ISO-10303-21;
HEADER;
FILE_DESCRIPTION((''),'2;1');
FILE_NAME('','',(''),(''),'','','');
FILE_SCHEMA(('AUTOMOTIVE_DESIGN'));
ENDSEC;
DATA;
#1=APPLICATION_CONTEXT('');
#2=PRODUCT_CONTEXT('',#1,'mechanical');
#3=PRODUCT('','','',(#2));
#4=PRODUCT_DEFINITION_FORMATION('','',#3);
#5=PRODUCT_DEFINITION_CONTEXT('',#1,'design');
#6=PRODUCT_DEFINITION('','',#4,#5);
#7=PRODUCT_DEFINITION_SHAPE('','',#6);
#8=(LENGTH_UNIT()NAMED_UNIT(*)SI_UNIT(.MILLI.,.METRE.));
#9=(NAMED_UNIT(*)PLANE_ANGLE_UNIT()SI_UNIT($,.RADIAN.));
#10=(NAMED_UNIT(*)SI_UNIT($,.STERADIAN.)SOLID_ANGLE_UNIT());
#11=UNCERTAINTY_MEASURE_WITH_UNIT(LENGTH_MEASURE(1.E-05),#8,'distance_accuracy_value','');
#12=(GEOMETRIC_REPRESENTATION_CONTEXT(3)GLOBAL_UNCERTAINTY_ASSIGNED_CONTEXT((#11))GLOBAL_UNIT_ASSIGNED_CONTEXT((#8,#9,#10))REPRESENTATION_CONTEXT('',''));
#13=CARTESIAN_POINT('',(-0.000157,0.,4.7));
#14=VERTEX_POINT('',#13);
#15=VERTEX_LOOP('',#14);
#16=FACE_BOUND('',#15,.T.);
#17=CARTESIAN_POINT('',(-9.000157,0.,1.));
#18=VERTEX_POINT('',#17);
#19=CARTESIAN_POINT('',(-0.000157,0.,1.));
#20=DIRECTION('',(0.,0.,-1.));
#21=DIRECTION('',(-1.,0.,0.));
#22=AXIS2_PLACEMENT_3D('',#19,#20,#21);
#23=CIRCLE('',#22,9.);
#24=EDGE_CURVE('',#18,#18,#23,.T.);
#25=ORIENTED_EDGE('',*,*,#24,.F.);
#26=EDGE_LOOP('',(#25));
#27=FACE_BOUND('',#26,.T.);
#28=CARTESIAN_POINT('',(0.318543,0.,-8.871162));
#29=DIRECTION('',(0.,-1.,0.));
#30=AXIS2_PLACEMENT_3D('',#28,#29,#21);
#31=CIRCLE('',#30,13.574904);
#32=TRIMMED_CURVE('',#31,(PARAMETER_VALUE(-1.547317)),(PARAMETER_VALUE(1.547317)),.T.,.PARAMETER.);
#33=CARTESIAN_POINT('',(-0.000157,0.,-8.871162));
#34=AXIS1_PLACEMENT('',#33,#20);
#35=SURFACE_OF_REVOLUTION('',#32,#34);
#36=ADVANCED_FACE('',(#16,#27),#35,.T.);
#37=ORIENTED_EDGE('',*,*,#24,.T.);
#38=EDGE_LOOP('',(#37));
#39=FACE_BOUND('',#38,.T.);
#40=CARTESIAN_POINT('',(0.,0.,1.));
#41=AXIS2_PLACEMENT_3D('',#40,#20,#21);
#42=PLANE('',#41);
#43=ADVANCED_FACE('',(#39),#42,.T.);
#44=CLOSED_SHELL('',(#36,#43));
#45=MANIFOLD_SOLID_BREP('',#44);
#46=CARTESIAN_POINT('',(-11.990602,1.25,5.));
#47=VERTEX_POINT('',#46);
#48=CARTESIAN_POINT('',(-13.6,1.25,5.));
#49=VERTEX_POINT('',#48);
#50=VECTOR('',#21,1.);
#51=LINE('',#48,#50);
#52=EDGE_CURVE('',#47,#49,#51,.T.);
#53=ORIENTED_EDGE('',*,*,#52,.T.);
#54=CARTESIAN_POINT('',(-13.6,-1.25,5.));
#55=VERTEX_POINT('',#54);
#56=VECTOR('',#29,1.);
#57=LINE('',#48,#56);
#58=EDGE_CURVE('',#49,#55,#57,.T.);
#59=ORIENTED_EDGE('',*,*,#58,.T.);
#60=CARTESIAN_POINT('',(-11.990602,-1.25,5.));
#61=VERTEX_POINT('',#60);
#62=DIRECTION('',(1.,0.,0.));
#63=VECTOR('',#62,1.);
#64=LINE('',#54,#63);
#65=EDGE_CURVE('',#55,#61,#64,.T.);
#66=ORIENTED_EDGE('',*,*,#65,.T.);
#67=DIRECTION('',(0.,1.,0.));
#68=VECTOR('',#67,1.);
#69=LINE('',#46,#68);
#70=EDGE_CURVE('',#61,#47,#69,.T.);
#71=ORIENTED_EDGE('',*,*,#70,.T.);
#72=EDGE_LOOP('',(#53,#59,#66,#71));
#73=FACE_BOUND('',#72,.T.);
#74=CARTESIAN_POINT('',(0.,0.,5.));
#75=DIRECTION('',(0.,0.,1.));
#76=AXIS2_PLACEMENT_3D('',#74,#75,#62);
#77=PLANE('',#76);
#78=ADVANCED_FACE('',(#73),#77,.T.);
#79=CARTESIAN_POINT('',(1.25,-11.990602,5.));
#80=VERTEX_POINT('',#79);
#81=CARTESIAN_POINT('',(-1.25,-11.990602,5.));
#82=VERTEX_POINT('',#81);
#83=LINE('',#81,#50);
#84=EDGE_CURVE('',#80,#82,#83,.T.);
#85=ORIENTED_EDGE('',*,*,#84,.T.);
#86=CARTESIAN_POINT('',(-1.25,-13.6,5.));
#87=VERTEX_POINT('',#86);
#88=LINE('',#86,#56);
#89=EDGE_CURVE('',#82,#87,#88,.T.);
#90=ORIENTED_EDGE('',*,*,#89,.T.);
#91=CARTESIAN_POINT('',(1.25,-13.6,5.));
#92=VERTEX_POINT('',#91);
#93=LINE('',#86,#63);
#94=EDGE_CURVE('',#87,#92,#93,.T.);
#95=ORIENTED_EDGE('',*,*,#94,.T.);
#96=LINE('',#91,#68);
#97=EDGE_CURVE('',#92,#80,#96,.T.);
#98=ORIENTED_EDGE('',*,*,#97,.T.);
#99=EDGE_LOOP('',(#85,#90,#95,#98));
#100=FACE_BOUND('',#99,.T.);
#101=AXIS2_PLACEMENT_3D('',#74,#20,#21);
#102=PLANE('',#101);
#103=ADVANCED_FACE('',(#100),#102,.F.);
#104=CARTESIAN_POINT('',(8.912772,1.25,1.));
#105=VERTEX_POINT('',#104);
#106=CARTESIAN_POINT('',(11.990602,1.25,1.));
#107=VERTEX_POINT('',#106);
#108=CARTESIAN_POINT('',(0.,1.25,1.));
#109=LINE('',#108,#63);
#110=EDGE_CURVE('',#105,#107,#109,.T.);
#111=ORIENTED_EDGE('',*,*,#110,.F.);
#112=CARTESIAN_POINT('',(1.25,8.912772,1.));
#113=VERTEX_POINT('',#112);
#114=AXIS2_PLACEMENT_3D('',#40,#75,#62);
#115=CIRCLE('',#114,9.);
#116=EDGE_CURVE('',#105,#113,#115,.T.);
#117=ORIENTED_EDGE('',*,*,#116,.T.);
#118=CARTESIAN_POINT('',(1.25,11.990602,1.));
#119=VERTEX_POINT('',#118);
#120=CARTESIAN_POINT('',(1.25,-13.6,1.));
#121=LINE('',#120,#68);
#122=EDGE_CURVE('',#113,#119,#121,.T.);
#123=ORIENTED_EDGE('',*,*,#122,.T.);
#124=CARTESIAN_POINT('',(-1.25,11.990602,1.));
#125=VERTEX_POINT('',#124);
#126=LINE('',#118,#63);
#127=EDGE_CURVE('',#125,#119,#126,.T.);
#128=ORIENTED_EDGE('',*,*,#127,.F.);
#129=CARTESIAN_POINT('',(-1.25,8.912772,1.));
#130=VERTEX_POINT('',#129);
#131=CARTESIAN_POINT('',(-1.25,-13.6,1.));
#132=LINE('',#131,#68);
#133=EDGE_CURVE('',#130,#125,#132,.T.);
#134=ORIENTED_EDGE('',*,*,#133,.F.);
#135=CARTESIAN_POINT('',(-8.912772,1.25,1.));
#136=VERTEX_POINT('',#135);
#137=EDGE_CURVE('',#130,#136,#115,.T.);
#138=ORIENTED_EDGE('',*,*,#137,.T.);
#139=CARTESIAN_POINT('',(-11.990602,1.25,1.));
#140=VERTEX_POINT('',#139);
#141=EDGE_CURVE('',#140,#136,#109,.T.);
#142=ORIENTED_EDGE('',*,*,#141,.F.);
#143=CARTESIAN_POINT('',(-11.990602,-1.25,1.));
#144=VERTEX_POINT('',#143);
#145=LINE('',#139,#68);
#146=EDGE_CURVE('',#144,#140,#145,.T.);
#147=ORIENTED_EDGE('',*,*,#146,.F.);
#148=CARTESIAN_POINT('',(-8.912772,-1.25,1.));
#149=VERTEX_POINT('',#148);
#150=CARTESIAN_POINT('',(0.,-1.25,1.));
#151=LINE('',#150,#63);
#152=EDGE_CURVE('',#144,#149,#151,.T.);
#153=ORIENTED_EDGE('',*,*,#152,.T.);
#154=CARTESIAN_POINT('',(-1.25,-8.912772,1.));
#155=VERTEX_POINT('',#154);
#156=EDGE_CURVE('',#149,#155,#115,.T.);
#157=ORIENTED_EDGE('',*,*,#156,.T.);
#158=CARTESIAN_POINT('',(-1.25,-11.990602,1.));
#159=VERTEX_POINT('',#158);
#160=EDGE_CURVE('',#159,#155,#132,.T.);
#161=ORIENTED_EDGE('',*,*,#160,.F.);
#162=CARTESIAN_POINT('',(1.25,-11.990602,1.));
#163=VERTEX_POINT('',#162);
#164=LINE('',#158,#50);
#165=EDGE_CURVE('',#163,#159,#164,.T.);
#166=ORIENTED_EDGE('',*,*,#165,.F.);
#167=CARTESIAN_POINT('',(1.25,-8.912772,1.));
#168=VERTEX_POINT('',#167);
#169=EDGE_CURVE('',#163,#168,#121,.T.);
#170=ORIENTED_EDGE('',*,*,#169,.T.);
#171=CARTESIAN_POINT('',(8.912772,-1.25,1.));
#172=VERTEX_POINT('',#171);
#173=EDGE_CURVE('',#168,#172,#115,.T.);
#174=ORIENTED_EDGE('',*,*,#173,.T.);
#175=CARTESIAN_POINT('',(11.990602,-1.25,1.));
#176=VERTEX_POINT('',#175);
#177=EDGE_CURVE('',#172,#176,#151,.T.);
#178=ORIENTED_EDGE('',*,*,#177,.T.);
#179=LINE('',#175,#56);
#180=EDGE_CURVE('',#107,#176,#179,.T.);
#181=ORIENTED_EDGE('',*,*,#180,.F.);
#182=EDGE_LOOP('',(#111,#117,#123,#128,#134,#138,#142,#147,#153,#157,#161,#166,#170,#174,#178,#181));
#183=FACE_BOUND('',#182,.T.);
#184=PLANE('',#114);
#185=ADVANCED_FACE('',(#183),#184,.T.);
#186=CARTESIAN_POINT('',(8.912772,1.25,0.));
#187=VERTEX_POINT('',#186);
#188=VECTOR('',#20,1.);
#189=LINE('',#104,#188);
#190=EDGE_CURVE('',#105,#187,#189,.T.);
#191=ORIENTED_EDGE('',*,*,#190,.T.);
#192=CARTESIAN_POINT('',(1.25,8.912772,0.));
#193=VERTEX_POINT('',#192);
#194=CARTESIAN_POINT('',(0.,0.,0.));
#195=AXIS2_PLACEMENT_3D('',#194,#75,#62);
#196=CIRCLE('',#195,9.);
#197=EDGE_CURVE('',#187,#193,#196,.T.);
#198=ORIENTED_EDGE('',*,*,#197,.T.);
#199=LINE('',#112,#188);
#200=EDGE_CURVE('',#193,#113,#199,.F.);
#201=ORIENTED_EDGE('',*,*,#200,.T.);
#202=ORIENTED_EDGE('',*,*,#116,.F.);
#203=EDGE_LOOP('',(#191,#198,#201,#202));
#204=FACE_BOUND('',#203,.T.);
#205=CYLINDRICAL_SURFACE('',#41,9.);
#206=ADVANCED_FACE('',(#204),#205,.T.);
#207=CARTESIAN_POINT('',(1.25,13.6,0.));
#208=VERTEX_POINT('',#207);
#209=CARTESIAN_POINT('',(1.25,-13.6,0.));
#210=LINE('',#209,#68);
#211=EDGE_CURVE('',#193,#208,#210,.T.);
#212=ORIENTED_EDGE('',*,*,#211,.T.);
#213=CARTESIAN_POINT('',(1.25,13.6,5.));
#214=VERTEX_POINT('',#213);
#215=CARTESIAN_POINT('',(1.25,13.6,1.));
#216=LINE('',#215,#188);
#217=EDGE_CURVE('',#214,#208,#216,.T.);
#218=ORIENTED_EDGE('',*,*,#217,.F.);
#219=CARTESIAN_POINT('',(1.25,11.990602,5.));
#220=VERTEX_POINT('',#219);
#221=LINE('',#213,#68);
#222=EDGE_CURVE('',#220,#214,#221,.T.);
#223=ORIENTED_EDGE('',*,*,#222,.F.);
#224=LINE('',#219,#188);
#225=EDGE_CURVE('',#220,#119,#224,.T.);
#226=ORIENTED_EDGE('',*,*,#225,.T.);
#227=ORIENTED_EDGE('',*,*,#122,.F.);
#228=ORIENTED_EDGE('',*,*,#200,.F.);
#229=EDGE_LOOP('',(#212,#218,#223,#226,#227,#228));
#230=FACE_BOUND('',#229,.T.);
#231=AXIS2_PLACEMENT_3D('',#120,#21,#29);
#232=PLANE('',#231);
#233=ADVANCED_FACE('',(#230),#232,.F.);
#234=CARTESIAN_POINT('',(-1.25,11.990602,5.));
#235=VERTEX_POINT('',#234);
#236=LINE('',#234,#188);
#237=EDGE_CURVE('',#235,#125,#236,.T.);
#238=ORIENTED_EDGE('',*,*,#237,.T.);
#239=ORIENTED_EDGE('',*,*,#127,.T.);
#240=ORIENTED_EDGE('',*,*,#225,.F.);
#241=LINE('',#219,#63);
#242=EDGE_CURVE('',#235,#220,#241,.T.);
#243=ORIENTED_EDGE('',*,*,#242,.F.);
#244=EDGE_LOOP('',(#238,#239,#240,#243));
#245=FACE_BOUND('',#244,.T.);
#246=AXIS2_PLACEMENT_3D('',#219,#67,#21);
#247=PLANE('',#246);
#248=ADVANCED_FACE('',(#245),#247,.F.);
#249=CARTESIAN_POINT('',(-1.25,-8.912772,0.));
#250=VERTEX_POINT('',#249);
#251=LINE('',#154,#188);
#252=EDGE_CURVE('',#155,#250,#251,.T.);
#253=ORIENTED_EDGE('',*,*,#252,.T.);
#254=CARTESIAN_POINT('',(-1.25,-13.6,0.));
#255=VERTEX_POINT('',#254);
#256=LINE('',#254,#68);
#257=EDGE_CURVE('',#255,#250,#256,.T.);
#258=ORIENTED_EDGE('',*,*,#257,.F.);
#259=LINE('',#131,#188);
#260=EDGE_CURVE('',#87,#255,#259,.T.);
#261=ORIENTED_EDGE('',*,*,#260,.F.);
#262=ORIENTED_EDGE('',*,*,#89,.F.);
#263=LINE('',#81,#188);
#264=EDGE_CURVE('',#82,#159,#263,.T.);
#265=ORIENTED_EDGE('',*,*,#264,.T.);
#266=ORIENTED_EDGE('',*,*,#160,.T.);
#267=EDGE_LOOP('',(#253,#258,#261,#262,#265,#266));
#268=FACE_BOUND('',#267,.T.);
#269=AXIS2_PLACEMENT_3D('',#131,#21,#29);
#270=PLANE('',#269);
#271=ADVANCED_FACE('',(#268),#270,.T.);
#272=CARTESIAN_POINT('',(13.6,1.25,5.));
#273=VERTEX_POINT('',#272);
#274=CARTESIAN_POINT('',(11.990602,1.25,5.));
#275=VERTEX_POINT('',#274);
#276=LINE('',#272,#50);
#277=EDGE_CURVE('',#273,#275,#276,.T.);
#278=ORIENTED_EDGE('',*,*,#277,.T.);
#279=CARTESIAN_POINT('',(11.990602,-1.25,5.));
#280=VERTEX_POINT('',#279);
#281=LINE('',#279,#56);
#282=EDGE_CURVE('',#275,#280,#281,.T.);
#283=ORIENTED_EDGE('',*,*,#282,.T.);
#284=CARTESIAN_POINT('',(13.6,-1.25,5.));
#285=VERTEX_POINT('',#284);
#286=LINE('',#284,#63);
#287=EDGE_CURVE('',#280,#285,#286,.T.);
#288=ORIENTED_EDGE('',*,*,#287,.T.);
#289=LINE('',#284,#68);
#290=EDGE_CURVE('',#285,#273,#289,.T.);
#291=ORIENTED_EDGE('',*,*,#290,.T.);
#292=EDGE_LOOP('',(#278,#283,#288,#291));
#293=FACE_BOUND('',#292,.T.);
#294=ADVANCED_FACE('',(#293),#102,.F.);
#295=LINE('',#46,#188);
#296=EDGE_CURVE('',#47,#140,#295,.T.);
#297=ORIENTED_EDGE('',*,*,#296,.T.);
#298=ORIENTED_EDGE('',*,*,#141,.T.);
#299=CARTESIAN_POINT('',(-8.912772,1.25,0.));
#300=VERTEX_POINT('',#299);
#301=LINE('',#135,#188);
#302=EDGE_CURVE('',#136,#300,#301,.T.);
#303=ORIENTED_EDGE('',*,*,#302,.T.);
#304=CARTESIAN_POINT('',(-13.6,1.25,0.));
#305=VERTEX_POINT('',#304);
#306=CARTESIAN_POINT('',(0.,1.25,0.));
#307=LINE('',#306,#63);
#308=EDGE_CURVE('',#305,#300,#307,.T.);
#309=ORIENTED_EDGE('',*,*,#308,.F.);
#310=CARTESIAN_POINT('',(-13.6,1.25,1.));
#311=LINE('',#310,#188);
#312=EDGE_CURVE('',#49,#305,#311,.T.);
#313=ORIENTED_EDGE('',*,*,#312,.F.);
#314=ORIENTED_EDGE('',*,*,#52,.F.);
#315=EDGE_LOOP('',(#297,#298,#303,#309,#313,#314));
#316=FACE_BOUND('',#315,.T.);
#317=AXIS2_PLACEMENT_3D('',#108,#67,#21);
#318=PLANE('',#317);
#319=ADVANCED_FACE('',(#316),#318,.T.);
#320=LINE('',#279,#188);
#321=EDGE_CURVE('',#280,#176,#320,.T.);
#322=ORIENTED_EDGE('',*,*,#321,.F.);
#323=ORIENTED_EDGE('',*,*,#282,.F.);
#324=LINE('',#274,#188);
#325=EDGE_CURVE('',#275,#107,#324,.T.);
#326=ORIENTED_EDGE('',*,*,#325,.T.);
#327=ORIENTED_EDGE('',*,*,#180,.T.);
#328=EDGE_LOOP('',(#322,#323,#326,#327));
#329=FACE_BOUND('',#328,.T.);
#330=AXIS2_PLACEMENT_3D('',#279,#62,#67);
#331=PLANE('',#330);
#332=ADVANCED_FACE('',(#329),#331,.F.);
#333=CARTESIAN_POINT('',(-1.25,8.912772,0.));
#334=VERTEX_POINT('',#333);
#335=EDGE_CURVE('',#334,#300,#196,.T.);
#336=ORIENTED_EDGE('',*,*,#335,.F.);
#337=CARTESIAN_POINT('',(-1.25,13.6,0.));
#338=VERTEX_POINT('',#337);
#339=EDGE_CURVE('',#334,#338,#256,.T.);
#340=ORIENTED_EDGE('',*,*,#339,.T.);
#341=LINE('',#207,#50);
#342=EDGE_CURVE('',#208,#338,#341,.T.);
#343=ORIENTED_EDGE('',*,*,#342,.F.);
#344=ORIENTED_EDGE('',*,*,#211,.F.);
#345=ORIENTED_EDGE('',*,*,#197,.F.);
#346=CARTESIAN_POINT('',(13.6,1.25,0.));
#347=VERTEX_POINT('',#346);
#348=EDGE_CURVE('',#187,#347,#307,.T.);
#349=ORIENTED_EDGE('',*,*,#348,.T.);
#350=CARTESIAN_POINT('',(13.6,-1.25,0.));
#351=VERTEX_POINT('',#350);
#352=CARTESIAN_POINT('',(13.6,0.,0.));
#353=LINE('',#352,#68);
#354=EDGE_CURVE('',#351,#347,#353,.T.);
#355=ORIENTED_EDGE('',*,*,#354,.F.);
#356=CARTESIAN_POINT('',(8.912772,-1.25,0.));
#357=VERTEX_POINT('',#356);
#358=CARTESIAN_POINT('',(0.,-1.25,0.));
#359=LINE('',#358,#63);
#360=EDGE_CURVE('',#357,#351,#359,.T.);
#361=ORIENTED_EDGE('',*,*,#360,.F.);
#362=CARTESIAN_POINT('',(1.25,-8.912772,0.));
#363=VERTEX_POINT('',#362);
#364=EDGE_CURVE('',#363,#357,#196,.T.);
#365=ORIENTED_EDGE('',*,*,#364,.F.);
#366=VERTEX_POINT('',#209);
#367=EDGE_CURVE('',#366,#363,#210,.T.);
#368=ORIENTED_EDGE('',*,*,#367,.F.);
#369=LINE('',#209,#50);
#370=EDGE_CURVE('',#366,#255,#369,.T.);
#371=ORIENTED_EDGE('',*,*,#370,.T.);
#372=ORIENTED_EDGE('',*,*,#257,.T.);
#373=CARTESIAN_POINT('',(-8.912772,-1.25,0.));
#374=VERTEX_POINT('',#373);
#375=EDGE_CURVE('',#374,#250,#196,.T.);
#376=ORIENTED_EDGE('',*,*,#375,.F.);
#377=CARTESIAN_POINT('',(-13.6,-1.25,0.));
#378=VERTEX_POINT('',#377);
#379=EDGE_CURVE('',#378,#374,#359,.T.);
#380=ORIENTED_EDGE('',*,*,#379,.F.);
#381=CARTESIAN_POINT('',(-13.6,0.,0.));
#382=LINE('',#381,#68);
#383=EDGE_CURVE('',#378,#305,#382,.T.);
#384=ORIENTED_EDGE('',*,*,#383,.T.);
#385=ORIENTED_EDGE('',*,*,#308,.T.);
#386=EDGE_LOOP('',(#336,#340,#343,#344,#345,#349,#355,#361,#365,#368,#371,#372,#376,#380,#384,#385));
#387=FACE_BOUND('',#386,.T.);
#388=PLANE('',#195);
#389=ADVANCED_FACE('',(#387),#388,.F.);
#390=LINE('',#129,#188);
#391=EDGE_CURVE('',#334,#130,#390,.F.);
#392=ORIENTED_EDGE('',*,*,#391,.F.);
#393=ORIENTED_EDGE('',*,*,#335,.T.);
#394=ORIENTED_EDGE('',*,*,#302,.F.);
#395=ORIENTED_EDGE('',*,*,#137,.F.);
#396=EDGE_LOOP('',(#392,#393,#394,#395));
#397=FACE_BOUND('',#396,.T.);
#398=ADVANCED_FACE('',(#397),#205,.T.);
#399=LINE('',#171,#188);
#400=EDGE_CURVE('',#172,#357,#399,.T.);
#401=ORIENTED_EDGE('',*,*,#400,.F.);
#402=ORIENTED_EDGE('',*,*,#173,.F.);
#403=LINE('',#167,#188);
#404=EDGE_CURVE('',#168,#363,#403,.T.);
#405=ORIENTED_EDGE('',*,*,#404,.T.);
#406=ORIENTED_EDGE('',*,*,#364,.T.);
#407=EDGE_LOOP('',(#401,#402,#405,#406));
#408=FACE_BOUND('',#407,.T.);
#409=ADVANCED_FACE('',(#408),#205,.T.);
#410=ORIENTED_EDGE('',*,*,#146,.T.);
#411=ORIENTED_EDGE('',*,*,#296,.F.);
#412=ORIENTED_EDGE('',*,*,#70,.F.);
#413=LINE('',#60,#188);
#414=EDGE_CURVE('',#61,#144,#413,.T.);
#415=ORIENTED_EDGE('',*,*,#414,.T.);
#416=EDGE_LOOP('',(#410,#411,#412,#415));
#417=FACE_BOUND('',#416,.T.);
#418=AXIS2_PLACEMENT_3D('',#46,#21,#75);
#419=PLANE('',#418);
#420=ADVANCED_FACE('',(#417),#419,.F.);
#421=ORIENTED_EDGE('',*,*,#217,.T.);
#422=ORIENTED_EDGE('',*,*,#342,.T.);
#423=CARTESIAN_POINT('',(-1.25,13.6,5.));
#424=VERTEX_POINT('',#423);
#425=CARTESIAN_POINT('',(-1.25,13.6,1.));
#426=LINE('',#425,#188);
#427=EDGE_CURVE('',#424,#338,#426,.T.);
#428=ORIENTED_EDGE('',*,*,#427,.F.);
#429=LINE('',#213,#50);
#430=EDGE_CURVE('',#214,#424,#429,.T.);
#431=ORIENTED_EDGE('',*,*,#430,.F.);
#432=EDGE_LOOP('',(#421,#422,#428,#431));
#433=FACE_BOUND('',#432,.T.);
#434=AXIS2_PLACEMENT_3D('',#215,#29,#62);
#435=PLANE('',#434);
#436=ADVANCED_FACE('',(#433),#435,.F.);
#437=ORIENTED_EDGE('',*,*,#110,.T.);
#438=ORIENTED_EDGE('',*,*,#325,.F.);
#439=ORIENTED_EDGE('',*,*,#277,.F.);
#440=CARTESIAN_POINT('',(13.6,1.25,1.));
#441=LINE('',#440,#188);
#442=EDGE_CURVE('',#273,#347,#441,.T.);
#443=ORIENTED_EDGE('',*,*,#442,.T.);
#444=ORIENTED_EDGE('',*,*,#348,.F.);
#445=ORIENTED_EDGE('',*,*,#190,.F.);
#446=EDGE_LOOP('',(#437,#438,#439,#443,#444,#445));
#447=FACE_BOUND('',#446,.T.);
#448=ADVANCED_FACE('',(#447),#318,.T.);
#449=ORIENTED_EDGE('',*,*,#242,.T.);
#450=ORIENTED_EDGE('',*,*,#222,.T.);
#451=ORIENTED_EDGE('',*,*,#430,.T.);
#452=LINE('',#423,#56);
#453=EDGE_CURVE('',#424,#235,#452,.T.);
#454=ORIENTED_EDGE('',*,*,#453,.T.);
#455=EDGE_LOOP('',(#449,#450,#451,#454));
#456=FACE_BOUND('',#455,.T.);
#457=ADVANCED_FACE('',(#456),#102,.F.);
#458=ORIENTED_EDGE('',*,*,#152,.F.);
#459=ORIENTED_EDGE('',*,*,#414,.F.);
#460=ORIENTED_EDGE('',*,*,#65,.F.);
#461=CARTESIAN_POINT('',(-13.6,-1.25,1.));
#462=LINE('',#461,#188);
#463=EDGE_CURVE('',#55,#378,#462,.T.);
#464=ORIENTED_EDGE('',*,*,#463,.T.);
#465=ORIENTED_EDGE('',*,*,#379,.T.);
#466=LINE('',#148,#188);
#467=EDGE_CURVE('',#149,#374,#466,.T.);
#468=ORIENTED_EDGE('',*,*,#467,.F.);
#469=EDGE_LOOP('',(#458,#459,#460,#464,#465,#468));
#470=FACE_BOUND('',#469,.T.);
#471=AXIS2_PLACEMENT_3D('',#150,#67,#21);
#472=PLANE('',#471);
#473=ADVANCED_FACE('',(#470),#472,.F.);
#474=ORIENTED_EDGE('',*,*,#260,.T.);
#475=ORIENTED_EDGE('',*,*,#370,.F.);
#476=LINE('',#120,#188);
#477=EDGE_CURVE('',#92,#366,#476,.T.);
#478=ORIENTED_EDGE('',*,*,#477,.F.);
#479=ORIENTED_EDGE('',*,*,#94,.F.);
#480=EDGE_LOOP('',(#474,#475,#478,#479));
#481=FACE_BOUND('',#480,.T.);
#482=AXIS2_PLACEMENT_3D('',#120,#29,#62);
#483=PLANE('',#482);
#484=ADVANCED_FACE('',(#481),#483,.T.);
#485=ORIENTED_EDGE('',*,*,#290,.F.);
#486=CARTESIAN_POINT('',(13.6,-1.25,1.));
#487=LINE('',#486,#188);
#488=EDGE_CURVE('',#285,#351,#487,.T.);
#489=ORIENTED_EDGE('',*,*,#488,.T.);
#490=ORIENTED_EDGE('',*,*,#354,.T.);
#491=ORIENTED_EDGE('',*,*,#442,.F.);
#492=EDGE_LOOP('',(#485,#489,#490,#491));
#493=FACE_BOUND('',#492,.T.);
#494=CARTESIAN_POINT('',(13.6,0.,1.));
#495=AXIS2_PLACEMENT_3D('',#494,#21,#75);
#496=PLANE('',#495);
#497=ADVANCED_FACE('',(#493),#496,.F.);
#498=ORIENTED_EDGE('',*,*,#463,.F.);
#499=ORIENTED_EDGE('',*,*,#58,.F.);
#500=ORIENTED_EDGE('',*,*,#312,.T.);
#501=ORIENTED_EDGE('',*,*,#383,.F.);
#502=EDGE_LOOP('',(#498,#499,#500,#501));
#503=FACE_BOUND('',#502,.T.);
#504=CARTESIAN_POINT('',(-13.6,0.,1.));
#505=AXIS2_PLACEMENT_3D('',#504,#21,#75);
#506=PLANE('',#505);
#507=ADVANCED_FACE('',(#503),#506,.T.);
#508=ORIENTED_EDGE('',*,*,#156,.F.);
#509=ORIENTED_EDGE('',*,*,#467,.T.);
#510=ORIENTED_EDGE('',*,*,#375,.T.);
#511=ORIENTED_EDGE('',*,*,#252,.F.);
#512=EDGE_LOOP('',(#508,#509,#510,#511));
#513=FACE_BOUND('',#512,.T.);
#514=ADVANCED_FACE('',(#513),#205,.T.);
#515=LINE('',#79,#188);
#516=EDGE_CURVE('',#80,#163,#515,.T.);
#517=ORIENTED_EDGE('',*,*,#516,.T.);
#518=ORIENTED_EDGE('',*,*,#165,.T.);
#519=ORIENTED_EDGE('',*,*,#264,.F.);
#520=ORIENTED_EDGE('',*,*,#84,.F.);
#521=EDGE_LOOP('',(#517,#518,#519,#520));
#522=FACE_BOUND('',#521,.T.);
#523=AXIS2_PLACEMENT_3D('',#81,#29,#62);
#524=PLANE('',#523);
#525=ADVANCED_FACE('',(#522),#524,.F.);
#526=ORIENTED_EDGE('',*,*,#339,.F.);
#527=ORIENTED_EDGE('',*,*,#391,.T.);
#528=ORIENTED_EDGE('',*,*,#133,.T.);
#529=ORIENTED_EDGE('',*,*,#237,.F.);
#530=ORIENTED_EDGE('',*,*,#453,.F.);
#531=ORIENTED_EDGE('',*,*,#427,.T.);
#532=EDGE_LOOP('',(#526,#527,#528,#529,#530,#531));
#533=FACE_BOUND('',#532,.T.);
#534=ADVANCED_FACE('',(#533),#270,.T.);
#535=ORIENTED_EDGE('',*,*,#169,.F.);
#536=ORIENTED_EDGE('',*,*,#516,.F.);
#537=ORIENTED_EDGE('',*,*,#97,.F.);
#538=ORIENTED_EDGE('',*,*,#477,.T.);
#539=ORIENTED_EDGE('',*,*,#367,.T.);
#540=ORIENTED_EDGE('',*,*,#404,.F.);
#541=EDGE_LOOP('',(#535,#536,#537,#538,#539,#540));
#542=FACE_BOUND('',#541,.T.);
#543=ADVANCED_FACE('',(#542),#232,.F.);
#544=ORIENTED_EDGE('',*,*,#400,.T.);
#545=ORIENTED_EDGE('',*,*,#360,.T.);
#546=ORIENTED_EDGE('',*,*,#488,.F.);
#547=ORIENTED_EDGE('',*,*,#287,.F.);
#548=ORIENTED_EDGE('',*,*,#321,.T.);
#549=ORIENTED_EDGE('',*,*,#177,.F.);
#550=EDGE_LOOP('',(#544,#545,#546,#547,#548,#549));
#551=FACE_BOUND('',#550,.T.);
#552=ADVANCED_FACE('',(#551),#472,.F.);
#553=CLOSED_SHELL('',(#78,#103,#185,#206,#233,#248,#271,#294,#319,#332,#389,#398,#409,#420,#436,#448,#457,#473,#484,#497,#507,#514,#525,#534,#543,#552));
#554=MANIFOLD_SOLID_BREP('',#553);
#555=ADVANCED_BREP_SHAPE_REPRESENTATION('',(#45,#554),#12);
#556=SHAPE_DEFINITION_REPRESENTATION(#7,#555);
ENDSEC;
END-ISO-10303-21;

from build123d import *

# Parameters (mm, degrees)
SKETCH1_R           = 9
SKETCH1_W           = 27.2
SKETCH1_H           = 2.5
SKETCH1_W_2         = 2.5
SKETCH1_H_2         = 27.2
BOSS_EXTRUDE1_DEPTH = 1
SKETCH2_W           = 1.609397648
SKETCH2_H           = 2.5
SKETCH2_W_2         = 2.5
SKETCH2_H_2         = 1.609397648
BOSS_EXTRUDE2_DEPTH = 4


with BuildPart() as part:
    # Sketch1 → Boss-Extrude1 (new body)
    with BuildSketch(Plane.XY):
        Circle(SKETCH1_R)
        Rectangle(SKETCH1_W, SKETCH1_H)
        Rectangle(SKETCH1_W_2, SKETCH1_H_2)
    extrude(amount=BOSS_EXTRUDE1_DEPTH)

    # Sketch2 → Boss-Extrude2 (add)
    with BuildSketch(Plane.XY.offset(1)):
        with Locations((-12.795301176, 0)):
            Rectangle(SKETCH2_W, SKETCH2_H)
        with Locations((0, 12.795301176)):
            Rectangle(SKETCH2_W_2, SKETCH2_H_2)
        with Locations((12.795301176, 0)):
            Rectangle(SKETCH2_W, SKETCH2_H)
        with Locations((0, -12.795301176)):
            Rectangle(SKETCH2_W_2, SKETCH2_H_2)
    extrude(amount=BOSS_EXTRUDE2_DEPTH)


with BuildPart() as body_2:
    # Sketch7 → Revolve4 (revolve)
    with BuildSketch(Plane(origin=(0, 0, 0), x_dir=(1, 0, 0), z_dir=(0, 1, 0))):
        with BuildLine():
            Line((-0.000156816, -1), (-9.000156816, -1))
            ThreePointArc((-9.000156816, -1), (-4.843081536, -3.684141213), (-0.000156816, -4.7))
            Line((-0.000156816, -4.7), (-0.000156816, -1))
        make_face()
    revolve(axis=Axis((-0.000156816, 0, 4.7), (0, 0, 1)))


solid = Compound([part.part, body_2.part])
